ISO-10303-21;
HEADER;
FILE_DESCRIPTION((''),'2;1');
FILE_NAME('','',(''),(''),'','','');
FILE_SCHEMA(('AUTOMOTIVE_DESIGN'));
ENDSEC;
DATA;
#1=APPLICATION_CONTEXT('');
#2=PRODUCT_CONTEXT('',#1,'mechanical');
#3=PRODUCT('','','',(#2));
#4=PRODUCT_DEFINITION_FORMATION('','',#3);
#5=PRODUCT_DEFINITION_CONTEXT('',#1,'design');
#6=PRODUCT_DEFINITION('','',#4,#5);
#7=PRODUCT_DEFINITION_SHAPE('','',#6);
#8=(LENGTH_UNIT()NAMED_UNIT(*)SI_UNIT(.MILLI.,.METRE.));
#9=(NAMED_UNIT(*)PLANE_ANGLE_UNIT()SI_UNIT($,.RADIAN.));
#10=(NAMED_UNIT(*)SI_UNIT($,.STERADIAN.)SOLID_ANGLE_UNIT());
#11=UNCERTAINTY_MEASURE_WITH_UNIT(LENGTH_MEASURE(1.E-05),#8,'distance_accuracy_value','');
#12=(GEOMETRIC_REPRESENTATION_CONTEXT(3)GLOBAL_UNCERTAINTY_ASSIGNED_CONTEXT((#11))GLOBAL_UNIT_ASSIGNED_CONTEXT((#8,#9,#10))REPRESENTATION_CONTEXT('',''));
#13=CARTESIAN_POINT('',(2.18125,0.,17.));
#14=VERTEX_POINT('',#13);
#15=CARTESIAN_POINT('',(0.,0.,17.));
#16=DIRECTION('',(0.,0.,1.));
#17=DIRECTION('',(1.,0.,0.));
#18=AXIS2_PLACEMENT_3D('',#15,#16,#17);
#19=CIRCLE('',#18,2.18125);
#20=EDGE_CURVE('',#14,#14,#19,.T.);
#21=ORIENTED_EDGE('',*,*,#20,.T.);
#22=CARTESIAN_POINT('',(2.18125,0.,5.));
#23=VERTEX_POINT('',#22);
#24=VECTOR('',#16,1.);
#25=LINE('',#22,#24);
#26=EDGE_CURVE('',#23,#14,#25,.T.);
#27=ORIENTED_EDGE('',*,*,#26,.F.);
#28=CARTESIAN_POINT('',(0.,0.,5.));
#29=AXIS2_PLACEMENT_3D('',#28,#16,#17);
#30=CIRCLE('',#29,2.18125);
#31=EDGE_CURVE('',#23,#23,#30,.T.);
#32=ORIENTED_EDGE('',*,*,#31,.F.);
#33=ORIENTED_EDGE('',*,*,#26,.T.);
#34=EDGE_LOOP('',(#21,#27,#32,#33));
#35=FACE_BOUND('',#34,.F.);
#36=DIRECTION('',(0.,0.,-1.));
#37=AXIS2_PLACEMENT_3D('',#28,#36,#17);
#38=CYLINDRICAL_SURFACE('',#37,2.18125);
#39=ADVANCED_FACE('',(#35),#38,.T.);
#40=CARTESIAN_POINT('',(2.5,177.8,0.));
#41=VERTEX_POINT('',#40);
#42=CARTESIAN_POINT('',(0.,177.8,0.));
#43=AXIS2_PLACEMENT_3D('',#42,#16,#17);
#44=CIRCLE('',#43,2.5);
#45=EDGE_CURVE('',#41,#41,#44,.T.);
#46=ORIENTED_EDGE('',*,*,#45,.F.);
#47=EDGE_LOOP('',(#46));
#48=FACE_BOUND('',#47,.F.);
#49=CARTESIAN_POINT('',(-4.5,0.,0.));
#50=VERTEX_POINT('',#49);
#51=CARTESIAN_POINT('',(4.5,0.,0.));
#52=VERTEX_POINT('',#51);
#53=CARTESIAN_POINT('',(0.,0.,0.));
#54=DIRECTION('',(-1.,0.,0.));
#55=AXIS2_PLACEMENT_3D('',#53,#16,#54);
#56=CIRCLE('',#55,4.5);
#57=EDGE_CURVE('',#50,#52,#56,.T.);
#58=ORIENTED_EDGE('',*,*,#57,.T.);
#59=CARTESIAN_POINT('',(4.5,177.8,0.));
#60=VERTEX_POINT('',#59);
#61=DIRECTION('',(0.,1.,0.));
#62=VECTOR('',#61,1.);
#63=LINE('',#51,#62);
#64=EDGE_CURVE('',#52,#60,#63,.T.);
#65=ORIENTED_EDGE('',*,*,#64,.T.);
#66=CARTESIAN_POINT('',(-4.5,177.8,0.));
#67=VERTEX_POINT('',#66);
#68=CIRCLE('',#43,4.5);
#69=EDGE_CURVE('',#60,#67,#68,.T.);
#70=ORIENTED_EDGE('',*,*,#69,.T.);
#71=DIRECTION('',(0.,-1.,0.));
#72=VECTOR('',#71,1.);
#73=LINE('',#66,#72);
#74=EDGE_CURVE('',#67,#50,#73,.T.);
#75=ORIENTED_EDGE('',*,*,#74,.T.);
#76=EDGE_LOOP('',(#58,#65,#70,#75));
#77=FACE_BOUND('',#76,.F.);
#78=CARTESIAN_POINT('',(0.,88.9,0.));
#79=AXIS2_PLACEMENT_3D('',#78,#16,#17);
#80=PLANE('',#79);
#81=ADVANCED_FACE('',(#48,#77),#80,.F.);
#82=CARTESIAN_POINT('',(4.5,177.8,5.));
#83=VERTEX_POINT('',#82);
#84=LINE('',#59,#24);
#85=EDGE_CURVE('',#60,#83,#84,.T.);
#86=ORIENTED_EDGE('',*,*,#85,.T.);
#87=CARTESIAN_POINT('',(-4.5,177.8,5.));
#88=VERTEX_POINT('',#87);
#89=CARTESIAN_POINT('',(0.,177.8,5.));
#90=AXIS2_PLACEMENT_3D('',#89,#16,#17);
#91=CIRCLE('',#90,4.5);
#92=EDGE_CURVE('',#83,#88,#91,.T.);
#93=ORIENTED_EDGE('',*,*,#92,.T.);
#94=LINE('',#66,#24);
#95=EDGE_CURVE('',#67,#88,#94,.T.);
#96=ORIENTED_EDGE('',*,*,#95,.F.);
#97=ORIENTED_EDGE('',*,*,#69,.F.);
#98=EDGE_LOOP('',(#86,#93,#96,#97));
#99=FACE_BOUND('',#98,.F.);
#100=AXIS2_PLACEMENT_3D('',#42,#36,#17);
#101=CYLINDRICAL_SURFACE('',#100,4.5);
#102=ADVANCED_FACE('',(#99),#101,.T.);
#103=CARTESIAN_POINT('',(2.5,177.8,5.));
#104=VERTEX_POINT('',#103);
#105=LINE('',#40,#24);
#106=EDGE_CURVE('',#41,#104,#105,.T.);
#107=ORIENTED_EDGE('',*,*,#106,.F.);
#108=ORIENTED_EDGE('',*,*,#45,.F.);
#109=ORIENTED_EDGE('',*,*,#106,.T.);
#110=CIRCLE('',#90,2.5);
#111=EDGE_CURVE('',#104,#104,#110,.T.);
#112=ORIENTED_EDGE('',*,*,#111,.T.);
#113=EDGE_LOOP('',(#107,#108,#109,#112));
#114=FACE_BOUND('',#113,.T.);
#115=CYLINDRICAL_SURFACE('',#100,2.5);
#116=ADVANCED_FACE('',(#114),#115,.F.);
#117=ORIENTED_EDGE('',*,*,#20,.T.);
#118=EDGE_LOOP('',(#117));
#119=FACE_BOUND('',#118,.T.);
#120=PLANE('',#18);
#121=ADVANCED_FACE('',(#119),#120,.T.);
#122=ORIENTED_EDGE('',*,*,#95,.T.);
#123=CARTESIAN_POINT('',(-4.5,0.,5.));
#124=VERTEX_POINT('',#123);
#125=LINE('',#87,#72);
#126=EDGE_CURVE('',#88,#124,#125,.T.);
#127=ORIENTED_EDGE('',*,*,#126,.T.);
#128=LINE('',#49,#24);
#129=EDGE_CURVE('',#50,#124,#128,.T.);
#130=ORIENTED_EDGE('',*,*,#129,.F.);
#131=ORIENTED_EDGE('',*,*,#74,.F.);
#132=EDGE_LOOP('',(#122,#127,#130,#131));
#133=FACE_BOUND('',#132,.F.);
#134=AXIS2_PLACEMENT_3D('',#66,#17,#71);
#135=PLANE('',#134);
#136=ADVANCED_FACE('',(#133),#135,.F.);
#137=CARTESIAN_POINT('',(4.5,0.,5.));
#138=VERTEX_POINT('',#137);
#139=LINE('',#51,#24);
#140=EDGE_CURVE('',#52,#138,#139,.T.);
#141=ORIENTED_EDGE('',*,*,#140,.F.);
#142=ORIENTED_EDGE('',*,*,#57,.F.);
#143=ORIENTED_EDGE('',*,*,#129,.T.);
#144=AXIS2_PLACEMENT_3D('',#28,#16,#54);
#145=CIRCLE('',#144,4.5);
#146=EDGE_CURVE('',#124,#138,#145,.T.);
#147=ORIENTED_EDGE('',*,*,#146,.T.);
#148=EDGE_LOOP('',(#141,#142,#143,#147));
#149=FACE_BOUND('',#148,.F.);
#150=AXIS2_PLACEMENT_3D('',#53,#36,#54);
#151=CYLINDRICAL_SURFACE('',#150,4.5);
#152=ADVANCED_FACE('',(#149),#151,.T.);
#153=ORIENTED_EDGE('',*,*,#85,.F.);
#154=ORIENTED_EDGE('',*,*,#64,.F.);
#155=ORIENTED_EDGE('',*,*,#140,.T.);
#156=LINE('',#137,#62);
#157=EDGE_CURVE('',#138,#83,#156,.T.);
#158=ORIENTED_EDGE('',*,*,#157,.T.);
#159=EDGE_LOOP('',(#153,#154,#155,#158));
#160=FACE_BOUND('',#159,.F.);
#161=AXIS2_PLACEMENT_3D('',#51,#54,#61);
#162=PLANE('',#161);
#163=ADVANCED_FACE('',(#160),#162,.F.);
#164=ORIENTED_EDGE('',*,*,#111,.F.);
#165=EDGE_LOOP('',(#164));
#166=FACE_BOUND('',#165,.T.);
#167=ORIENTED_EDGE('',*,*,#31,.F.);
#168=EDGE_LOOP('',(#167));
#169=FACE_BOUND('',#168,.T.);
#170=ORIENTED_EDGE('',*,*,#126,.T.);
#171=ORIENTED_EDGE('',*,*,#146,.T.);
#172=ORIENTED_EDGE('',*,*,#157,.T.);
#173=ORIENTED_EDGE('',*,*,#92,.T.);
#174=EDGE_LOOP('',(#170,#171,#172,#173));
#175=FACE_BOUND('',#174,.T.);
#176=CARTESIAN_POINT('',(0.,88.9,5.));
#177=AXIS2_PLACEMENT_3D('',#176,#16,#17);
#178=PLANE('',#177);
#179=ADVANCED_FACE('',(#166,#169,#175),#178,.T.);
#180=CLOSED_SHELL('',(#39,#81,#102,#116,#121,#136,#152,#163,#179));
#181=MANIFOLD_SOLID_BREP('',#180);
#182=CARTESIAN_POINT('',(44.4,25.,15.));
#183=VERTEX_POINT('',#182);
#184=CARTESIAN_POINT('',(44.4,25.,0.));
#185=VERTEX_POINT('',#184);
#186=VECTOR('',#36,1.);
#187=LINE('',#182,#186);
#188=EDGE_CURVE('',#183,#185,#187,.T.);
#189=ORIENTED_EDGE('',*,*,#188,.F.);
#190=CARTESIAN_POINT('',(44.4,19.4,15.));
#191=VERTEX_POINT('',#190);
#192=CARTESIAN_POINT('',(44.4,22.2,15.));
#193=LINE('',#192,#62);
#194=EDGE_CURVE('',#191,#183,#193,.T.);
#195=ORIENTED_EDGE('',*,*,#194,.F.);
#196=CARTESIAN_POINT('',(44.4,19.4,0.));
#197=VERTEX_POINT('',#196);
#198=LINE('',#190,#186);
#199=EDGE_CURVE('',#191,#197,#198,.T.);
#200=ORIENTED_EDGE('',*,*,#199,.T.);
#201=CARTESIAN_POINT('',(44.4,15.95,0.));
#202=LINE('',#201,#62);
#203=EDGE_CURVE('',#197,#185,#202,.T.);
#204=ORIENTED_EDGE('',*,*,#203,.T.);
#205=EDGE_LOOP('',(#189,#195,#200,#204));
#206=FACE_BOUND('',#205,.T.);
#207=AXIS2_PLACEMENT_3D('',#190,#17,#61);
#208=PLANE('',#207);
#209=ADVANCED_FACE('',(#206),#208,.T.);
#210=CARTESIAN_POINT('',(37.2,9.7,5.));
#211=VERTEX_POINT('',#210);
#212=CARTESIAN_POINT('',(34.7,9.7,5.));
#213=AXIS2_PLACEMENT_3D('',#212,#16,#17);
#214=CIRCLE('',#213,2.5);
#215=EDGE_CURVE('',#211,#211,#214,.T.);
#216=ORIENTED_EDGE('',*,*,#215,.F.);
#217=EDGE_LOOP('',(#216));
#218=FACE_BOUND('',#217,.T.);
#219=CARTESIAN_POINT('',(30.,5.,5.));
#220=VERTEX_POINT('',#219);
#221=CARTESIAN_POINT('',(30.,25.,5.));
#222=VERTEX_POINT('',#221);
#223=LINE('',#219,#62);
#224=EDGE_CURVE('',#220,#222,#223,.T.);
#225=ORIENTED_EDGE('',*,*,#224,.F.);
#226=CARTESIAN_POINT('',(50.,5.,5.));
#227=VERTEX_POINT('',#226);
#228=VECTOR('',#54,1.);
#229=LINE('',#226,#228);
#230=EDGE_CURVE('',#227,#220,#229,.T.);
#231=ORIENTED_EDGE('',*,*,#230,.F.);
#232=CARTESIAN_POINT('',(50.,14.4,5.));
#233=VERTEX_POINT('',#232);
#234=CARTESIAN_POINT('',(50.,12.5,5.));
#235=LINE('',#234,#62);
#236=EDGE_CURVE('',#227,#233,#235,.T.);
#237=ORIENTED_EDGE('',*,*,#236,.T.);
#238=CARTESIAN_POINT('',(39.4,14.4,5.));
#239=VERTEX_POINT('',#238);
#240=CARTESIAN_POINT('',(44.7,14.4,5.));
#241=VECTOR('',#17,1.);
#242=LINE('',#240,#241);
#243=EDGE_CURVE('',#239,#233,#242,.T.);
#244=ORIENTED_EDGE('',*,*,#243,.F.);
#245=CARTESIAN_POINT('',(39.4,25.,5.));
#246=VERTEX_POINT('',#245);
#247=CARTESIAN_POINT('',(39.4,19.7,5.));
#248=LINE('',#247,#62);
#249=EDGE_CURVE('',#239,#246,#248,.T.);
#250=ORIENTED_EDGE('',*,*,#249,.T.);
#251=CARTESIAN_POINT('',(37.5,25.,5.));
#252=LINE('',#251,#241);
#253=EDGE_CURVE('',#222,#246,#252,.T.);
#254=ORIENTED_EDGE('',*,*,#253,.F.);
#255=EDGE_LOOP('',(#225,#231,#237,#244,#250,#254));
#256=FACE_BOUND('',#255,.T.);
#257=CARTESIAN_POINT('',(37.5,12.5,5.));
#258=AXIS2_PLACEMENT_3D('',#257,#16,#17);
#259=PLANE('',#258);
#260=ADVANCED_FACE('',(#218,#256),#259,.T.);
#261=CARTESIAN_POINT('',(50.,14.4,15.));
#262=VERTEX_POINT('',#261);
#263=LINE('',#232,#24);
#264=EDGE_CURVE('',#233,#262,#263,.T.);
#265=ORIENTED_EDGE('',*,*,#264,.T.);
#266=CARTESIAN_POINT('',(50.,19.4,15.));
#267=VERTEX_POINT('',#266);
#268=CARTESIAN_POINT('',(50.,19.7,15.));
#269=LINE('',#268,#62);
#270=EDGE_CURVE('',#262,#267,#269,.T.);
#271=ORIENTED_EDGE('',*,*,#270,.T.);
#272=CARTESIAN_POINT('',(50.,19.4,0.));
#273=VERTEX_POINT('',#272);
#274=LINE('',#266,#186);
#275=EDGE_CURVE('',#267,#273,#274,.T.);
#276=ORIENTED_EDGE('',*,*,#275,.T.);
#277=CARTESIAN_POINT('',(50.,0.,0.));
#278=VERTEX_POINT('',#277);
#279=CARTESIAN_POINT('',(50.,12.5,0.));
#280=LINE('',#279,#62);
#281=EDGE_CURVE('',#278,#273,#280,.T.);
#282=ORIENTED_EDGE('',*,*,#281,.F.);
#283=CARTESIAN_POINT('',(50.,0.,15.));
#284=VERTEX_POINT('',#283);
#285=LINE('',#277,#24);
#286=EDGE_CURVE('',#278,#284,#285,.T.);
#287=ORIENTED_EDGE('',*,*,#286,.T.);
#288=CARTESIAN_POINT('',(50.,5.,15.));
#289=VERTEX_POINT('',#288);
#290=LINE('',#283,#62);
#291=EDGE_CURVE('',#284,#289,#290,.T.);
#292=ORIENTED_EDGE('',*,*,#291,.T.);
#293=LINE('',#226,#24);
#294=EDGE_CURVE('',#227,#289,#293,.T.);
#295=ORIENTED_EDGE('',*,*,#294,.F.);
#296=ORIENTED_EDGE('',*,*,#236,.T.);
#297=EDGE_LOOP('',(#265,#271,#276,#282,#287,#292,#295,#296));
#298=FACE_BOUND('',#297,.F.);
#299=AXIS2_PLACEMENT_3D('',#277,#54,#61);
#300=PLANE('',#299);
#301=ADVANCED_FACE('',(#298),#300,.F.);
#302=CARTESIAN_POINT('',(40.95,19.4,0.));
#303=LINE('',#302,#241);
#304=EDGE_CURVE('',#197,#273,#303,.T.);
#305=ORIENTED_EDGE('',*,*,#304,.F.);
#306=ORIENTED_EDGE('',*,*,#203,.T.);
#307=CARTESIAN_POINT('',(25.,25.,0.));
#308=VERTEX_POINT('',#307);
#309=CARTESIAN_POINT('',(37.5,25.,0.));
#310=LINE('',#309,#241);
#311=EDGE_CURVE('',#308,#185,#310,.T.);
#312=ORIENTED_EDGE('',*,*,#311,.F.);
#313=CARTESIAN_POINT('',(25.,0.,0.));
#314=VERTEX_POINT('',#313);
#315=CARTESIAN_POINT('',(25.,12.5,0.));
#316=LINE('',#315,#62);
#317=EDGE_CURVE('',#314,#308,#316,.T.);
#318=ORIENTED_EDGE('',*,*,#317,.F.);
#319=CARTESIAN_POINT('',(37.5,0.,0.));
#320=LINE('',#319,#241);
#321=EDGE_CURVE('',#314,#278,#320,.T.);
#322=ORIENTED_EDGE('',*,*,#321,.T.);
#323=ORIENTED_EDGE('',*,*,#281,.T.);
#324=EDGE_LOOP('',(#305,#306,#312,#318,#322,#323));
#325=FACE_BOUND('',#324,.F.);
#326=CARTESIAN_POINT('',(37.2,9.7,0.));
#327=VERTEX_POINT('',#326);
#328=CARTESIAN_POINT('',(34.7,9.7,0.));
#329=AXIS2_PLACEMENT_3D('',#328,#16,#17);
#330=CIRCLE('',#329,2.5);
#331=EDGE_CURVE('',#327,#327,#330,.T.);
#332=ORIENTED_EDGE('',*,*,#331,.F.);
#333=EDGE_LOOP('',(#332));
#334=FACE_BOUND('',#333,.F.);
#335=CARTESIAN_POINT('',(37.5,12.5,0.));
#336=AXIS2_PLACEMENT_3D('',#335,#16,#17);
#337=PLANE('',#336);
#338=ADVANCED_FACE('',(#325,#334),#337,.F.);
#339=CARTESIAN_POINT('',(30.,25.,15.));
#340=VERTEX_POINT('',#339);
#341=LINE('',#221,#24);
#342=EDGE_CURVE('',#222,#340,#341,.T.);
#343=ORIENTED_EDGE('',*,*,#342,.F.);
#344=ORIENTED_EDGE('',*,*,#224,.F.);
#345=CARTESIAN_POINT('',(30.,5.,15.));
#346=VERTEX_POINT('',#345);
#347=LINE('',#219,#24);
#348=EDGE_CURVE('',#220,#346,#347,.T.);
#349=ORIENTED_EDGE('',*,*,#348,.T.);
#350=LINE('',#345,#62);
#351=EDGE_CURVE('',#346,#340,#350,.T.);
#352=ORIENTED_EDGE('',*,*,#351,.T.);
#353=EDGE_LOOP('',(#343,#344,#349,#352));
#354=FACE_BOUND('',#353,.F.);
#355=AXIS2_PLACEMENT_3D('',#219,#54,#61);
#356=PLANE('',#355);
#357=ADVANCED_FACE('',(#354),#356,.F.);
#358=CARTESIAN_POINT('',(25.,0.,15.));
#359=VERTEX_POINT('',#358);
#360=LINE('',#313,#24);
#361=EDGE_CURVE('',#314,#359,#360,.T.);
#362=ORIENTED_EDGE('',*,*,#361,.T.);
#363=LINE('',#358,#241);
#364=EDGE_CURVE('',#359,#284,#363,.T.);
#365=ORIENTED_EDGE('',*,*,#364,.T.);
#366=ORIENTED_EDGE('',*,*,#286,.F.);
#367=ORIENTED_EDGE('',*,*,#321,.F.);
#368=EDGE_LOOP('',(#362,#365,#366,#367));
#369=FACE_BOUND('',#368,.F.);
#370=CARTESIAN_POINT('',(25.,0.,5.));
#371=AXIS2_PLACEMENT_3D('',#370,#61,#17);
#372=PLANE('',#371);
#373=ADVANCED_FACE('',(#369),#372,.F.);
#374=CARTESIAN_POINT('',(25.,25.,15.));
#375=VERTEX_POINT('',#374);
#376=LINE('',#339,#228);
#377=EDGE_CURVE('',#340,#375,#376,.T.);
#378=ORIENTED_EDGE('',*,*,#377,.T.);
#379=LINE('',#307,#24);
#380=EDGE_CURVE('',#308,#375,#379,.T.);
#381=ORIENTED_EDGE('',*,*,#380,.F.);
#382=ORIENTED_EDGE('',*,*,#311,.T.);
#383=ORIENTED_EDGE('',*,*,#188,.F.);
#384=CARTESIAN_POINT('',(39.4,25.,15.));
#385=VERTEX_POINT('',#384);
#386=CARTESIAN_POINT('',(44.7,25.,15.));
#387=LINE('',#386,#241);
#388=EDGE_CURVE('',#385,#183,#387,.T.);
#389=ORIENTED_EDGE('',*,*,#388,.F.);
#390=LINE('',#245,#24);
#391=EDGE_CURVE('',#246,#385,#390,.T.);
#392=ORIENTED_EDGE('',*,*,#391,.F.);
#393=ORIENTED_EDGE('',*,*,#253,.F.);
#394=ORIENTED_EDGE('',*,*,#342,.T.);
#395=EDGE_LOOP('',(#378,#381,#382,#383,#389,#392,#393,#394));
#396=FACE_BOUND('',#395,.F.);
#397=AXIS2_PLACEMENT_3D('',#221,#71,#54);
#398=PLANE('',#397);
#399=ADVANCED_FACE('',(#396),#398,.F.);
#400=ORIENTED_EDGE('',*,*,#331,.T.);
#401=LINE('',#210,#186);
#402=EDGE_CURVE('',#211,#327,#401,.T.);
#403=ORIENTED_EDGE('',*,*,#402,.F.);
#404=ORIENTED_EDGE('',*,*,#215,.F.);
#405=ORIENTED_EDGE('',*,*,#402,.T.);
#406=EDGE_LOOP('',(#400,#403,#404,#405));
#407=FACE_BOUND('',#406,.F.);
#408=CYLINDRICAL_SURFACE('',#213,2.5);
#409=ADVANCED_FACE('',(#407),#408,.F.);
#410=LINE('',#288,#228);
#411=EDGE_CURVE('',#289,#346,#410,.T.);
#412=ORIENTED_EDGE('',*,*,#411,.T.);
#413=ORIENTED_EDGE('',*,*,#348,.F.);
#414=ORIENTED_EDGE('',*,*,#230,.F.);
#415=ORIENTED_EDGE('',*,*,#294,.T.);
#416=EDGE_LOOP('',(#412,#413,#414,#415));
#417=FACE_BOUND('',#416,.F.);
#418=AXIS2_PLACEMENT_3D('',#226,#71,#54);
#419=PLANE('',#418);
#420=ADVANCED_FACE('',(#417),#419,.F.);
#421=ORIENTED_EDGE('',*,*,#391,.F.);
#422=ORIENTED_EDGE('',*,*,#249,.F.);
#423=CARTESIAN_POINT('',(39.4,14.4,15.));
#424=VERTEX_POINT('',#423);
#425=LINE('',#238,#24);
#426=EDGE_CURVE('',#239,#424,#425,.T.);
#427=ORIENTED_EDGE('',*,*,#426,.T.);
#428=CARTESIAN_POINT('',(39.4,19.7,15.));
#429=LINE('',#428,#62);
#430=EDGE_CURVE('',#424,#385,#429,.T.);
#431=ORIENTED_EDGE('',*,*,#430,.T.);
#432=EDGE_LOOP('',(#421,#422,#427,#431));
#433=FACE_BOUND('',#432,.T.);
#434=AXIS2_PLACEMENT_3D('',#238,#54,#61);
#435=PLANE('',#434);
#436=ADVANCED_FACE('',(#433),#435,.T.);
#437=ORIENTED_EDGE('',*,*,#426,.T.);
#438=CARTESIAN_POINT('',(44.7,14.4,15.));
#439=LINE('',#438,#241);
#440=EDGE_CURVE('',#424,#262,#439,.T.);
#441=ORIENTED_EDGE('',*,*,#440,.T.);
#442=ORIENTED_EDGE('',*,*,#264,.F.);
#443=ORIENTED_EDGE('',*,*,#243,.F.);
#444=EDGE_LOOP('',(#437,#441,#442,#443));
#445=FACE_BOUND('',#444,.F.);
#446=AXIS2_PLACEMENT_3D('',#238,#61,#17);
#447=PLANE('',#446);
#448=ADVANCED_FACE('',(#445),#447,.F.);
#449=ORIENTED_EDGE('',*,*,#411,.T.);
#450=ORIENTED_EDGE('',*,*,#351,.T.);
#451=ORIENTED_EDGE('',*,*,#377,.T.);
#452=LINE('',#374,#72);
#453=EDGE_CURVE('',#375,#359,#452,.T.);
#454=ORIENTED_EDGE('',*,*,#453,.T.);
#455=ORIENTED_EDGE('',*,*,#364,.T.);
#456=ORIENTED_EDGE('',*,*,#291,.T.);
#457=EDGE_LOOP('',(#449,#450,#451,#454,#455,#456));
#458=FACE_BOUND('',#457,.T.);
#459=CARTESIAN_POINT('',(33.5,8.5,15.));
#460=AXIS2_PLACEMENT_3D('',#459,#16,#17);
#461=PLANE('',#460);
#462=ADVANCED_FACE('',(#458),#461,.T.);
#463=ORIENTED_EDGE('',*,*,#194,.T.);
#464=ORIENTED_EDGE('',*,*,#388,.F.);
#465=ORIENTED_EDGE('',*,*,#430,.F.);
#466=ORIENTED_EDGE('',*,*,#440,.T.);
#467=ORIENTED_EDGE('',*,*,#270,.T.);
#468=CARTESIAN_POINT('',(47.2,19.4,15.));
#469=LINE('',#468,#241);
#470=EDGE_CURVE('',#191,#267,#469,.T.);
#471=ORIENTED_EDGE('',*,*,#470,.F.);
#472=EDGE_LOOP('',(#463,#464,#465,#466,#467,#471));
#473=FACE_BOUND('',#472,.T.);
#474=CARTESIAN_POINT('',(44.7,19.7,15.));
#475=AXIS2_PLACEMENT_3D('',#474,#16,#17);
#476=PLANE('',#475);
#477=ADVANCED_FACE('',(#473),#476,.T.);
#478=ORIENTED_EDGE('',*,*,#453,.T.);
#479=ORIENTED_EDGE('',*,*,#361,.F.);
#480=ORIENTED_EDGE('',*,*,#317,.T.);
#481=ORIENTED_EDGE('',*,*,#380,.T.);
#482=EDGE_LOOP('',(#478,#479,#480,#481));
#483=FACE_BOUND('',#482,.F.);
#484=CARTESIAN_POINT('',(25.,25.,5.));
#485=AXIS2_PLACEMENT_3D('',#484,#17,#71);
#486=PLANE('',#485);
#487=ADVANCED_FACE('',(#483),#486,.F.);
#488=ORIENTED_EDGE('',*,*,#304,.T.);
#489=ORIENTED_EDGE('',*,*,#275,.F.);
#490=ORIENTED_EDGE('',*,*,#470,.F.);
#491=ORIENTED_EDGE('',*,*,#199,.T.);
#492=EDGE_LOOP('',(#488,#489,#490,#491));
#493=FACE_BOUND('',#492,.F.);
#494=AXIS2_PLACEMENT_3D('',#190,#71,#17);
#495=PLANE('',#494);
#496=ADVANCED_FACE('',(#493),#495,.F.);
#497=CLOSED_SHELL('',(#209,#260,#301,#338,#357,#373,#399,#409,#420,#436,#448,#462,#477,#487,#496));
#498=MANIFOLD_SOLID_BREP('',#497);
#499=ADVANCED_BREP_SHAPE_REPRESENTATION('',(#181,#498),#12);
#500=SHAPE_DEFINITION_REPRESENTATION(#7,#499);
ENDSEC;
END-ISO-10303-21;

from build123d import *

# Parameters (mm, degrees)
F0_R      = 2.5
F1_DEPTH  = 5
F2_R      = 2.18125
F3_DEPTH  = 12
F4_W      = 25
F4_H      = 25
F5_DEPTH  = 5
F6_W      = 10.6
F6_H      = 10.6
F7_DEPTH  = 10
F8_R      = 2.5
F9_DEPTH  = 25
F10_W     = 5.6
F10_H     = 5.6
F11_DEPTH = 25


with BuildPart() as f1:
    # F0 (on Top) → F1 (new body)
    with BuildSketch(Plane.XY):
        with BuildLine():
            ThreePointArc((4.5, 177.8), (0, 182.3), (-4.5, 177.8))
            Line((-4.5, 177.8), (-4.5, 0))
            ThreePointArc((-4.5, 0), (0, -4.5), (4.5, 0))
            Line((4.5, 0), (4.5, 177.8))
        make_face()
        with Locations((0, 177.8)):
            Circle(F0_R, mode=Mode.SUBTRACT)
    extrude(amount=F1_DEPTH)

    # F2 (on face) → F3 (join)
    with BuildSketch(Plane.XY.offset(5)):
        Circle(F2_R)
    extrude(amount=F3_DEPTH)


with BuildPart() as f5:
    # F4 (on Top) → F5 (new body)
    with BuildSketch(Plane.XY):
        with Locations((37.5, 12.5)):
            Rectangle(F4_W, F4_H)
    extrude(amount=F5_DEPTH)

    # F6 (on face) → F7 (join)
    with BuildSketch(Plane.XY.offset(5)):
        Polygon((30, 25), (25, 25), (25, 0), (50, 0), (50, 5), (30, 5), align=None)
        with Locations((44.7, 19.7)):
            Rectangle(F6_W, F6_H)
    extrude(amount=F7_DEPTH)

    # F8 (on face) → F9 (cut)
    with BuildSketch(Plane.XY.offset(5)):
        with Locations((34.7, 9.7)):
            Circle(F8_R)
    extrude(amount=-F9_DEPTH, mode=Mode.SUBTRACT)

    # F10 (on face) → F11 (cut)
    with BuildSketch(Plane.XY.offset(15)):
        with Locations((47.2, 22.2)):
            Rectangle(F10_W, F10_H)
    extrude(amount=-F11_DEPTH, mode=Mode.SUBTRACT)


solid = Compound([f1.part, f5.part])
